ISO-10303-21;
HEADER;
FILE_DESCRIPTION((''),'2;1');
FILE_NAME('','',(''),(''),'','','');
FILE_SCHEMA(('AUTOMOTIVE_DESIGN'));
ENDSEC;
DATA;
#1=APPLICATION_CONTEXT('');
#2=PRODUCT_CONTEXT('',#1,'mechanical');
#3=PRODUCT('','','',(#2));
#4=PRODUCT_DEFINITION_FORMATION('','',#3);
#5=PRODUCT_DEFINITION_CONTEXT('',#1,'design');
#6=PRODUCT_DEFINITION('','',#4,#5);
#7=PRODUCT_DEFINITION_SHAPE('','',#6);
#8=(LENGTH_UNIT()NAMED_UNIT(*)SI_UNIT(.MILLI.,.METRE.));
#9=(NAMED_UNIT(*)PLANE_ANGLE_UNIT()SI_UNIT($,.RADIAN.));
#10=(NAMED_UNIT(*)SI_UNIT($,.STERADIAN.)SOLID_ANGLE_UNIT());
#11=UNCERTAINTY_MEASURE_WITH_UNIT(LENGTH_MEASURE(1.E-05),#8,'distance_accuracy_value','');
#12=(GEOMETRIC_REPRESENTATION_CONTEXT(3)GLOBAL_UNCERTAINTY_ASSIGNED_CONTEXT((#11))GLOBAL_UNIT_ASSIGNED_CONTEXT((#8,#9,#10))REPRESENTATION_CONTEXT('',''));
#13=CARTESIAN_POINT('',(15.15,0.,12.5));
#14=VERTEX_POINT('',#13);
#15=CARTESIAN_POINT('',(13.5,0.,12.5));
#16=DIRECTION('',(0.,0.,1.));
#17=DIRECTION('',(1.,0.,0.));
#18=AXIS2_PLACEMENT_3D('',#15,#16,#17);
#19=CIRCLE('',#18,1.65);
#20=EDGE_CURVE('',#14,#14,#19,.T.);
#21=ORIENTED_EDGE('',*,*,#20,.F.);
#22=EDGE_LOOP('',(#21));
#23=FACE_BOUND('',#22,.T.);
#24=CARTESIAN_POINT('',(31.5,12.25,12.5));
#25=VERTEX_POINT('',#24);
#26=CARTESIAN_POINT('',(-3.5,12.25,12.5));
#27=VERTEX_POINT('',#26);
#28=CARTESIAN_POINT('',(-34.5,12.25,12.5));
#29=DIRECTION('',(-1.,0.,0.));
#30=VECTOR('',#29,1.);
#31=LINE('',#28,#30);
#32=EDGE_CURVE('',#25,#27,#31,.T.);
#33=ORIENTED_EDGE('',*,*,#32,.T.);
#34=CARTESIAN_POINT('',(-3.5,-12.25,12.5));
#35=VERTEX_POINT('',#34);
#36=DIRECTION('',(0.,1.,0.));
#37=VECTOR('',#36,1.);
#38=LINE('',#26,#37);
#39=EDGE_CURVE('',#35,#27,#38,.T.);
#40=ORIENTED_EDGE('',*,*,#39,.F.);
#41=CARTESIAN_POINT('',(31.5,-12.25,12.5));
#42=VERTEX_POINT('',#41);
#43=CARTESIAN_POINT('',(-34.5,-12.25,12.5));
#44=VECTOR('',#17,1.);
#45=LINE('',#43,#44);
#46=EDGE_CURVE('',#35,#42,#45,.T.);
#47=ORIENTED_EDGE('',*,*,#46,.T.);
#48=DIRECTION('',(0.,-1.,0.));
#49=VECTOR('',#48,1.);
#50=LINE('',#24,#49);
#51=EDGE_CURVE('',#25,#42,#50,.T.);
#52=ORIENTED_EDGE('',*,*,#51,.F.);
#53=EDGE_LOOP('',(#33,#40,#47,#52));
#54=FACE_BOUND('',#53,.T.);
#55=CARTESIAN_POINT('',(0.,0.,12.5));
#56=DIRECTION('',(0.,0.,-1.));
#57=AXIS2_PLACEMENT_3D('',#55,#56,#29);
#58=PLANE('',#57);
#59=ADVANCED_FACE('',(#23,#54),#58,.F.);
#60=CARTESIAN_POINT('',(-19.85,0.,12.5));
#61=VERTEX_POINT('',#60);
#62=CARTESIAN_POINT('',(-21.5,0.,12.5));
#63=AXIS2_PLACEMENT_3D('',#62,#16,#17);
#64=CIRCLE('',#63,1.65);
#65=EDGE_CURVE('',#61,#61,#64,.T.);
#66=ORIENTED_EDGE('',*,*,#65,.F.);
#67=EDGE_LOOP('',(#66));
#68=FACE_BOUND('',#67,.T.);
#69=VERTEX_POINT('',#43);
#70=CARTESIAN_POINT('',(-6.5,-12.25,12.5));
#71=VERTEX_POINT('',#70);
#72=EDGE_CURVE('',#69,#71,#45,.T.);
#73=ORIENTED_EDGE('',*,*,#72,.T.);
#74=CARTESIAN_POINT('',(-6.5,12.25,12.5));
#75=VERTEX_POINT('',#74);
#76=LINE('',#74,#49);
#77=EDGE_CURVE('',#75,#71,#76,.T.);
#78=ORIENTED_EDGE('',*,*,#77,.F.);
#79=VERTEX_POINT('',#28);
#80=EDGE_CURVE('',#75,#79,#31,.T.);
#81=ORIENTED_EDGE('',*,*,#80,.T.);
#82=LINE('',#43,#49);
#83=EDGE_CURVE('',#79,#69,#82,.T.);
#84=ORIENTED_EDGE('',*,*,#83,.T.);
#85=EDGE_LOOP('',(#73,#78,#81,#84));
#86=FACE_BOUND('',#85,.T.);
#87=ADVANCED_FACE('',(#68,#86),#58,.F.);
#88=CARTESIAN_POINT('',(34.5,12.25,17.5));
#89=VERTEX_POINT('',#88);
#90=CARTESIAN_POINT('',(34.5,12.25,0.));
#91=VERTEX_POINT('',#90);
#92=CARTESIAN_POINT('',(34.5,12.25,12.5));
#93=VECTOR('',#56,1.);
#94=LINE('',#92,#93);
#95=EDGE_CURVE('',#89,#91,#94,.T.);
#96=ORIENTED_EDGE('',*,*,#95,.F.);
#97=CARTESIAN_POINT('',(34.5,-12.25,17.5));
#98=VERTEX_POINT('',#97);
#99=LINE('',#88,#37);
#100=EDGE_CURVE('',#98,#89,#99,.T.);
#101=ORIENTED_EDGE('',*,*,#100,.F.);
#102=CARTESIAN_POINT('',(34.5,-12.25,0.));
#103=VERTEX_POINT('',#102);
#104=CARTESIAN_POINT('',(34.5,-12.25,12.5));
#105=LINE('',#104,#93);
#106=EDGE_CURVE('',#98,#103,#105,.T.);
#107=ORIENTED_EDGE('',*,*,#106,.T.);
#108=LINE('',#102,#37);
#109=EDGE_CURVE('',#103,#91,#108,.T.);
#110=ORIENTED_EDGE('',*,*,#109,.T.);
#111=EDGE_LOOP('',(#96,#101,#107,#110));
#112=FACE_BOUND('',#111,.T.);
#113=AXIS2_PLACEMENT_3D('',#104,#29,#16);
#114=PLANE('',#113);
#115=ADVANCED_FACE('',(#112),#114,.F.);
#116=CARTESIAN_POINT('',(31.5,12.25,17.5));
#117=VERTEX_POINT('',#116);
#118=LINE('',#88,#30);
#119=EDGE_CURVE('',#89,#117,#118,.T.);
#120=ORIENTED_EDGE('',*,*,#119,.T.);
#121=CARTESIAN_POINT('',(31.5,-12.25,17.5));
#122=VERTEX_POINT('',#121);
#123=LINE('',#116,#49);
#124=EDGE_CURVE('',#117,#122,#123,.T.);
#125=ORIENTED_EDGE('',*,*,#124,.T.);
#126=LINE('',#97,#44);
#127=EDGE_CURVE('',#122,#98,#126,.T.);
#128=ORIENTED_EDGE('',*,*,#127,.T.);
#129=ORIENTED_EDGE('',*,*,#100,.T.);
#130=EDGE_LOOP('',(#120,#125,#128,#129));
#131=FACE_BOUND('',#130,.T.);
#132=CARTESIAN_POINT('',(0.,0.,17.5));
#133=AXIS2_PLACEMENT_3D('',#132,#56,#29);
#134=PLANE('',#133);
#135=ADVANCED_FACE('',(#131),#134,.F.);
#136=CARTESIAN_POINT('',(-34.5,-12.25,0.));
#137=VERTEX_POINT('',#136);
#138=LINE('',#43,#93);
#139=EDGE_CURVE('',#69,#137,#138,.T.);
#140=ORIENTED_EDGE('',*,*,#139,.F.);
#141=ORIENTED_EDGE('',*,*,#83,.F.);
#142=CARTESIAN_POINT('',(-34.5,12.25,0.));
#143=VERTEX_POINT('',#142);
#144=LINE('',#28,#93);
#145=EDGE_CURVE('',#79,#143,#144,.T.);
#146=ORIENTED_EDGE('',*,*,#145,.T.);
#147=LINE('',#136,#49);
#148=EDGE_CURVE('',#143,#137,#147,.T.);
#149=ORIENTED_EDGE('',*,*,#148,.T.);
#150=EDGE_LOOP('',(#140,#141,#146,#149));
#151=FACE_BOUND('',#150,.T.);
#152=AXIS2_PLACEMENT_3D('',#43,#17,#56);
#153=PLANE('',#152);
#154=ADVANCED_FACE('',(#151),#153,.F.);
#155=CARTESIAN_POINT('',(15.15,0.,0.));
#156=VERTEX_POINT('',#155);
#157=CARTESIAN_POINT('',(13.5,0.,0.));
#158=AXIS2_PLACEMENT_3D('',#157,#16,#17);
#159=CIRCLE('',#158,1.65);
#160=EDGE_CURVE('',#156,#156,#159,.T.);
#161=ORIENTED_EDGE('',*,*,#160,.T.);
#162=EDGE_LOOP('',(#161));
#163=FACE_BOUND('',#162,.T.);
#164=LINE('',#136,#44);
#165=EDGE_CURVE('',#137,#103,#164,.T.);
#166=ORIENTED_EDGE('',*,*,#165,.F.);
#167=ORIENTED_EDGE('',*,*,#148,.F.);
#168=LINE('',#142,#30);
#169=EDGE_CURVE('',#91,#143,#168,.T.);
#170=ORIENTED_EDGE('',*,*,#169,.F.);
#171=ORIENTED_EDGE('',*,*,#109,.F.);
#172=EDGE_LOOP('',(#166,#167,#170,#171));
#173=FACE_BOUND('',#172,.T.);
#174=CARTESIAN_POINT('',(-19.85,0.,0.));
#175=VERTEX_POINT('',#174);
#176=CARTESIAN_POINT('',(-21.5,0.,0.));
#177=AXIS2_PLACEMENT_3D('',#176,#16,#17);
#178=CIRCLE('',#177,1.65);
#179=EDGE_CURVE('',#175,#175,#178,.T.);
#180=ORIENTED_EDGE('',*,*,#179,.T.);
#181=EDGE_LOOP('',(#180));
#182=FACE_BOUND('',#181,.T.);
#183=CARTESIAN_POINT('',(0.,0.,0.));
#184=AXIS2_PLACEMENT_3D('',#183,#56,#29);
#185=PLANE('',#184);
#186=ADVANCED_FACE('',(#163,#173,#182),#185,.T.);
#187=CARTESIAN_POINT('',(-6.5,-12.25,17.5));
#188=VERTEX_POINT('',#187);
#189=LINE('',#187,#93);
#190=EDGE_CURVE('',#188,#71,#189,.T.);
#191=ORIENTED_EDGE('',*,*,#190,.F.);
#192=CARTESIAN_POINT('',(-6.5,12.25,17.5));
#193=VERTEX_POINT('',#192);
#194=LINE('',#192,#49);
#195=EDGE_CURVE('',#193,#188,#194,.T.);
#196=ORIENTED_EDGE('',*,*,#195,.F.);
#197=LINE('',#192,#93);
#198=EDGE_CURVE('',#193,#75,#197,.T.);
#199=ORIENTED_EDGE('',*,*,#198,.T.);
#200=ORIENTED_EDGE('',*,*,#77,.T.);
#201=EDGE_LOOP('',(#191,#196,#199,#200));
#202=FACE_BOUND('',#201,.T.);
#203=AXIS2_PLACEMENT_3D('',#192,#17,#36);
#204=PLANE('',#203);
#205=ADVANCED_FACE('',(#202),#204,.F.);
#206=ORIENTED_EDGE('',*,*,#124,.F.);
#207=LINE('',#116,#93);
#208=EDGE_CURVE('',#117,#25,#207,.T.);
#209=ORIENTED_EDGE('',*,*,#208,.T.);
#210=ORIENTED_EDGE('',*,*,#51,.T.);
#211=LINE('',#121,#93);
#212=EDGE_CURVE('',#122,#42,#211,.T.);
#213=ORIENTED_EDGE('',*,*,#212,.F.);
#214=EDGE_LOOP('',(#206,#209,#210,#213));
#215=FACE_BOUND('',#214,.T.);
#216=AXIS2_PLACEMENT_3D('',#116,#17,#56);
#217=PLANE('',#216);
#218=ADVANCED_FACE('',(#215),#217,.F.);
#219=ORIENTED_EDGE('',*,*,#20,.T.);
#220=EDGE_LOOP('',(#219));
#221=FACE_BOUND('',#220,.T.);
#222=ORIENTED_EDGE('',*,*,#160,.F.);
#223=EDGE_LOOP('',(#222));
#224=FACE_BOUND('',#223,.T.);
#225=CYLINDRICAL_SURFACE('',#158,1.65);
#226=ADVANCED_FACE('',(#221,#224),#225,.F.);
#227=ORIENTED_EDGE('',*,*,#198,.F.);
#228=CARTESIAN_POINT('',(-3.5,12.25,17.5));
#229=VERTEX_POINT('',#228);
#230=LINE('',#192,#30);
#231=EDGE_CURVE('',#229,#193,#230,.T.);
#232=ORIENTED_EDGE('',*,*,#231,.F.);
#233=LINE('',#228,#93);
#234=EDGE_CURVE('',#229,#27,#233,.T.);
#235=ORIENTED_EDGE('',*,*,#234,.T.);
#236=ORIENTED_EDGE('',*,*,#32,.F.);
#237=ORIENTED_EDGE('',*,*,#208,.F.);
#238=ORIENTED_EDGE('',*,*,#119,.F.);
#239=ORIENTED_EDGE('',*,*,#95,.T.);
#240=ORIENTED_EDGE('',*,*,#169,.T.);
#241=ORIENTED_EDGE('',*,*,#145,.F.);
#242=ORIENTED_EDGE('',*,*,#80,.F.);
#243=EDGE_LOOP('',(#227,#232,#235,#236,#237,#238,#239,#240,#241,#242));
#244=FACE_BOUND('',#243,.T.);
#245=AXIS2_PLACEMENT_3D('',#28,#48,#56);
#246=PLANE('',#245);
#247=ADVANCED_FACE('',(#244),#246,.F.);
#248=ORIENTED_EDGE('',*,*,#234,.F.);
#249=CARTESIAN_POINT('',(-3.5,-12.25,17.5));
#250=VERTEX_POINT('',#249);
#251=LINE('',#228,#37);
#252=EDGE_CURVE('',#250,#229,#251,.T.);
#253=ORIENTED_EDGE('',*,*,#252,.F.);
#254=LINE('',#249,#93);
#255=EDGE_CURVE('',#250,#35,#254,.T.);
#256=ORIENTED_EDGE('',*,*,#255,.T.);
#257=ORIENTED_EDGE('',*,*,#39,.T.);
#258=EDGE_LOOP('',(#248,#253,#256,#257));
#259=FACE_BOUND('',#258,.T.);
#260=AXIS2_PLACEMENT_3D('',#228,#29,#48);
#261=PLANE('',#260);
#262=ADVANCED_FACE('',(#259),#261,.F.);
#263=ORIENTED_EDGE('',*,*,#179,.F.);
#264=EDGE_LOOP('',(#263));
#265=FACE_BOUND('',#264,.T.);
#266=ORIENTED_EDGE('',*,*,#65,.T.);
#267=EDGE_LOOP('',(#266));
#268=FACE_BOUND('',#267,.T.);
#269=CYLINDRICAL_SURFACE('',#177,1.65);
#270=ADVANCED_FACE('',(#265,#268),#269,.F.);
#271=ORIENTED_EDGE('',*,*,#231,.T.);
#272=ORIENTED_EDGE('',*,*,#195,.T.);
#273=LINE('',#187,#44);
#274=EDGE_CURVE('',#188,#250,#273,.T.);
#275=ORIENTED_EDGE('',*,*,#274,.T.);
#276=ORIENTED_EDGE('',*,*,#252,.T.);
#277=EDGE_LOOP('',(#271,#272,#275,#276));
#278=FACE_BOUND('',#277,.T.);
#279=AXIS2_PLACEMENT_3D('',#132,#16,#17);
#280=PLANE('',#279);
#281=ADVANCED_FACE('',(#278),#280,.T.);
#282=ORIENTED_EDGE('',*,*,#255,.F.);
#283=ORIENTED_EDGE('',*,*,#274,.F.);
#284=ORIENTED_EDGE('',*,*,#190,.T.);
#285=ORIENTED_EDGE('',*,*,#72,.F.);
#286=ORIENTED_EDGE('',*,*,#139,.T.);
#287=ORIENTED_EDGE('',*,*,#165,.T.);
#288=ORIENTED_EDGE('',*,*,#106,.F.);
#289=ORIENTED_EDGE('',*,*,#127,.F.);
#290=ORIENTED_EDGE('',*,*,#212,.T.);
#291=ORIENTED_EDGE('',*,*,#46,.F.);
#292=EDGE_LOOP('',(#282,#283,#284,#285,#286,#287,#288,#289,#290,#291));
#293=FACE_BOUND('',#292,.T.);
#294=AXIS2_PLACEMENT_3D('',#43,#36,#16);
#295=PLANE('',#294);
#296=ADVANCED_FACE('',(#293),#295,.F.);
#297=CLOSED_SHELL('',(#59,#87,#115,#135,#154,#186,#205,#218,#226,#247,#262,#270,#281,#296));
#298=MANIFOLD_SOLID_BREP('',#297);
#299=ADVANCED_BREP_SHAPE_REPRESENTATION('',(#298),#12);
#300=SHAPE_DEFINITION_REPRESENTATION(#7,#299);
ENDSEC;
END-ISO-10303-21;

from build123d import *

# Parameters (mm, degrees)
SKETCH2_W      = 69
SKETCH2_H      = 24.5
EXTRUDE1_DEPTH = 12.5
SKETCH3_R      = 1.65
EXTRUDE2_DEPTH = 39.685430074
SKETCH4_W      = 3
SKETCH4_H      = 24.5
EXTRUDE3_DEPTH = 5


with BuildPart() as part:
    # Sketch2 → Extrude1 (new body)
    with BuildSketch(Plane.XY):
        Rectangle(SKETCH2_W, SKETCH2_H)
    extrude(amount=EXTRUDE1_DEPTH)

    # Sketch3 → Extrude2 (cut, through all)
    with BuildSketch(Plane.XY.offset(12.5)):
        with Locations((-21.5, 0)):
            Circle(SKETCH3_R)
        with Locations((13.5, 0)):
            Circle(SKETCH3_R)
    extrude(amount=-EXTRUDE2_DEPTH, mode=Mode.SUBTRACT)

    # Sketch4 → Extrude3 (add)
    with BuildSketch(Plane.XY.offset(12.5)):
        with Locations((33, 0)):
            Rectangle(SKETCH4_W, SKETCH4_H)
        with Locations((-5, 0)):
            Rectangle(SKETCH4_W, SKETCH4_H)
    extrude(amount=EXTRUDE3_DEPTH)


solid = part.part
